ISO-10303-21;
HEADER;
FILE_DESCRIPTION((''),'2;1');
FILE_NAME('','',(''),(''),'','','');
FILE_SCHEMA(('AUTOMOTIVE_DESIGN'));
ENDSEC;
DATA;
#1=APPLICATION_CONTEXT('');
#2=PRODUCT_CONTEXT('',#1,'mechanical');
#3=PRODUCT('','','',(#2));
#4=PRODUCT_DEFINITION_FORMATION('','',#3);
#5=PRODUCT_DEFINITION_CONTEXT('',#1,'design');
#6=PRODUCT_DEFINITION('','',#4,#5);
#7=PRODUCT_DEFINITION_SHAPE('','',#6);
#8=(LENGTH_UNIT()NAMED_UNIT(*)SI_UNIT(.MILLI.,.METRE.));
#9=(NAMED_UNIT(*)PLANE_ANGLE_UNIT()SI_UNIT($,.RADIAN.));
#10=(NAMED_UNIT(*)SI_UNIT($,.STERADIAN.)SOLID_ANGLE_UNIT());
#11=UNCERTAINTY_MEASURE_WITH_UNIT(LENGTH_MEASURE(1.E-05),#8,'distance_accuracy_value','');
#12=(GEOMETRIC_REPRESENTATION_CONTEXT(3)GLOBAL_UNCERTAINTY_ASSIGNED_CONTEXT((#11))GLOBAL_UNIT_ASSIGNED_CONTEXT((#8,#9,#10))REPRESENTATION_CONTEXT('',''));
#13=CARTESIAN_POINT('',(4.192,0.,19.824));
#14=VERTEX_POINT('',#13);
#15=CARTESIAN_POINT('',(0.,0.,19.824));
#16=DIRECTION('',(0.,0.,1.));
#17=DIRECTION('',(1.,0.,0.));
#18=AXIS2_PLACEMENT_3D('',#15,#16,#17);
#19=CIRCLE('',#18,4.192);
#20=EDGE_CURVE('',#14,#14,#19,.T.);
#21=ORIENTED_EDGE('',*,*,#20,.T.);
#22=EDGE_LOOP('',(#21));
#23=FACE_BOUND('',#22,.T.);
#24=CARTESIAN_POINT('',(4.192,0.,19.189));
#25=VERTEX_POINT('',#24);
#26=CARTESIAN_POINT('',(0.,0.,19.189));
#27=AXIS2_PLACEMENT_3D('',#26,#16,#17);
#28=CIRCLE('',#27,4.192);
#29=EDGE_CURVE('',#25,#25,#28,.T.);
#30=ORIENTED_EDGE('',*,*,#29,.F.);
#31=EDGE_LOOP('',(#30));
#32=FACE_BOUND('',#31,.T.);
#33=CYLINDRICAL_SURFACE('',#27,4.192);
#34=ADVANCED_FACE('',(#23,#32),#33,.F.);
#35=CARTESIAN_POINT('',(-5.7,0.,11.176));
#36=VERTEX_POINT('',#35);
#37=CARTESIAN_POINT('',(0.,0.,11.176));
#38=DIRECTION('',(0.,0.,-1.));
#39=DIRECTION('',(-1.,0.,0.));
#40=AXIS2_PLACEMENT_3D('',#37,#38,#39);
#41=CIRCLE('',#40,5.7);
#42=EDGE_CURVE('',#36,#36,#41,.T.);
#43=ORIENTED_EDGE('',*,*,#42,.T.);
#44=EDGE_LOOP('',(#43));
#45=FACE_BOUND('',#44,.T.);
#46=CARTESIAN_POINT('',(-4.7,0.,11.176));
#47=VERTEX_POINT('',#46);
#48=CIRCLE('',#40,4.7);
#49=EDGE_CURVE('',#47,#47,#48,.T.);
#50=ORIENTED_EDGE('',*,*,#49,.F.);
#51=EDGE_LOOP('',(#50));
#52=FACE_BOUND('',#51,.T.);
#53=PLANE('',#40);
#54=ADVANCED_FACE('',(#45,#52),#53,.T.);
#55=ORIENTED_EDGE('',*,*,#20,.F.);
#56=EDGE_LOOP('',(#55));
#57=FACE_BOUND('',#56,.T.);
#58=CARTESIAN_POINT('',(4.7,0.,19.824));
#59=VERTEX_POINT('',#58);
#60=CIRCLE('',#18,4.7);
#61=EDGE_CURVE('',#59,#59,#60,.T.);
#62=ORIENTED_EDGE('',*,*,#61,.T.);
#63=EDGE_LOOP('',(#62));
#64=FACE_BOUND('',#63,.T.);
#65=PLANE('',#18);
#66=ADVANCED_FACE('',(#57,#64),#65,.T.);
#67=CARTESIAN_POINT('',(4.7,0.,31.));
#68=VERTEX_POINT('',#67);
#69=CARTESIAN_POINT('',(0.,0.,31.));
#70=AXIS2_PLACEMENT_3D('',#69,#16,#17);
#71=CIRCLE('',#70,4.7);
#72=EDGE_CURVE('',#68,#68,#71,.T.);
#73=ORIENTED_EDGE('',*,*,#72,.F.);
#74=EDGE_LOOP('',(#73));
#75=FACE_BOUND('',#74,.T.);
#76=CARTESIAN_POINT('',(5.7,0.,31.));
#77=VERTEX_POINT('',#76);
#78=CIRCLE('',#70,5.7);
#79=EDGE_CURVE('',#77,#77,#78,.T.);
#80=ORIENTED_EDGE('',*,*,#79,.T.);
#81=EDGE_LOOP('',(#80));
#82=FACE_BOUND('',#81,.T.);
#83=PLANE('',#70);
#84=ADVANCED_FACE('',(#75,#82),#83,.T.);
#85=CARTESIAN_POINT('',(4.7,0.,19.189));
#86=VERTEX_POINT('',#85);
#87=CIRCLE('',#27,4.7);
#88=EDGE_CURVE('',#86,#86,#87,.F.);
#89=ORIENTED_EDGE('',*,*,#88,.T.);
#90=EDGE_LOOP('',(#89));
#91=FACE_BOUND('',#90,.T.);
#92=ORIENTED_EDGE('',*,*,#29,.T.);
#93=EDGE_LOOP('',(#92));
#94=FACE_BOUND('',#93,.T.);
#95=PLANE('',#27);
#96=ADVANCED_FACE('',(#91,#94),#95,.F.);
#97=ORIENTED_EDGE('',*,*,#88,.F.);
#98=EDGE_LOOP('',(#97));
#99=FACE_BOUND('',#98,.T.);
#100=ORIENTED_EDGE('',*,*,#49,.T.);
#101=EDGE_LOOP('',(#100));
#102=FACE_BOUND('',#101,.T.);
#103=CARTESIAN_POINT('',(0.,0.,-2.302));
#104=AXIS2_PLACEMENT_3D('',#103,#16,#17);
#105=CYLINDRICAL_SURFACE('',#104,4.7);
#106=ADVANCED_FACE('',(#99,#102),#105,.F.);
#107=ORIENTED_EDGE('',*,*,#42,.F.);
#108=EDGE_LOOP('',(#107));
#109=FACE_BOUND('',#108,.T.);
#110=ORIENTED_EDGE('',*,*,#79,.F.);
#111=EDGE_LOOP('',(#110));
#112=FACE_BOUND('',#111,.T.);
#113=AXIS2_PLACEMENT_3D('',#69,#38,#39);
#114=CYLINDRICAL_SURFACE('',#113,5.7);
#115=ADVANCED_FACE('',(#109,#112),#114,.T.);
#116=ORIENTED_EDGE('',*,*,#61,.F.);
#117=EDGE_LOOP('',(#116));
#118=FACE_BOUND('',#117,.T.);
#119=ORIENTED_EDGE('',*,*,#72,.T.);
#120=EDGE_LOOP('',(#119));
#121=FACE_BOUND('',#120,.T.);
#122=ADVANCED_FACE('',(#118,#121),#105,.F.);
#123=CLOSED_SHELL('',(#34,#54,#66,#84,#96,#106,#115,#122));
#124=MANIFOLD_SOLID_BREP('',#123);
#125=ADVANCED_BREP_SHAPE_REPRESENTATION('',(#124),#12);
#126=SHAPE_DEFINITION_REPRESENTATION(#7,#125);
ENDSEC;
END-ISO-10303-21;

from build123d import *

# Parameters (mm, degrees)
SKETCH1_R           = 5.7
BOSS_EXTRUDE1_DEPTH = 31
SKETCH2_R           = 4.7
CUT_EXTRUDE1_DEPTH  = 33.302
SKETCH5_R           = 4.7
SKETCH5_R_2         = 4.192
BOSS_EXTRUDE3_DEPTH = 0.635
SKETCH8_R           = 5.7
SKETCH8_R_2         = 4.7
CUT_EXTRUDE2_DEPTH  = 11.176


with BuildPart() as part:
    # Sketch1 → Boss-Extrude1 (new body)
    with BuildSketch(Plane.XY):
        Circle(SKETCH1_R)
    extrude(amount=BOSS_EXTRUDE1_DEPTH)

    # Sketch2 → Cut-Extrude1 (cut)
    with BuildSketch(Plane.XY.offset(31)):
        Circle(SKETCH2_R)
    extrude(amount=-CUT_EXTRUDE1_DEPTH, mode=Mode.SUBTRACT)

    # Sketch5 → Boss-Extrude3 (add)
    with BuildSketch(Plane.XY.offset(19.824)):
        Circle(SKETCH5_R)
        Circle(SKETCH5_R_2, mode=Mode.SUBTRACT)
    extrude(amount=-BOSS_EXTRUDE3_DEPTH)

    # Sketch8 → Cut-Extrude2 (cut)
    with BuildSketch(Plane(origin=(0, 0, 0), x_dir=(-1, 0, 0), z_dir=(0, 0, -1))):
        Circle(SKETCH8_R)
        Circle(SKETCH8_R_2, mode=Mode.SUBTRACT)
    extrude(amount=-CUT_EXTRUDE2_DEPTH, mode=Mode.SUBTRACT)


solid = part.part
